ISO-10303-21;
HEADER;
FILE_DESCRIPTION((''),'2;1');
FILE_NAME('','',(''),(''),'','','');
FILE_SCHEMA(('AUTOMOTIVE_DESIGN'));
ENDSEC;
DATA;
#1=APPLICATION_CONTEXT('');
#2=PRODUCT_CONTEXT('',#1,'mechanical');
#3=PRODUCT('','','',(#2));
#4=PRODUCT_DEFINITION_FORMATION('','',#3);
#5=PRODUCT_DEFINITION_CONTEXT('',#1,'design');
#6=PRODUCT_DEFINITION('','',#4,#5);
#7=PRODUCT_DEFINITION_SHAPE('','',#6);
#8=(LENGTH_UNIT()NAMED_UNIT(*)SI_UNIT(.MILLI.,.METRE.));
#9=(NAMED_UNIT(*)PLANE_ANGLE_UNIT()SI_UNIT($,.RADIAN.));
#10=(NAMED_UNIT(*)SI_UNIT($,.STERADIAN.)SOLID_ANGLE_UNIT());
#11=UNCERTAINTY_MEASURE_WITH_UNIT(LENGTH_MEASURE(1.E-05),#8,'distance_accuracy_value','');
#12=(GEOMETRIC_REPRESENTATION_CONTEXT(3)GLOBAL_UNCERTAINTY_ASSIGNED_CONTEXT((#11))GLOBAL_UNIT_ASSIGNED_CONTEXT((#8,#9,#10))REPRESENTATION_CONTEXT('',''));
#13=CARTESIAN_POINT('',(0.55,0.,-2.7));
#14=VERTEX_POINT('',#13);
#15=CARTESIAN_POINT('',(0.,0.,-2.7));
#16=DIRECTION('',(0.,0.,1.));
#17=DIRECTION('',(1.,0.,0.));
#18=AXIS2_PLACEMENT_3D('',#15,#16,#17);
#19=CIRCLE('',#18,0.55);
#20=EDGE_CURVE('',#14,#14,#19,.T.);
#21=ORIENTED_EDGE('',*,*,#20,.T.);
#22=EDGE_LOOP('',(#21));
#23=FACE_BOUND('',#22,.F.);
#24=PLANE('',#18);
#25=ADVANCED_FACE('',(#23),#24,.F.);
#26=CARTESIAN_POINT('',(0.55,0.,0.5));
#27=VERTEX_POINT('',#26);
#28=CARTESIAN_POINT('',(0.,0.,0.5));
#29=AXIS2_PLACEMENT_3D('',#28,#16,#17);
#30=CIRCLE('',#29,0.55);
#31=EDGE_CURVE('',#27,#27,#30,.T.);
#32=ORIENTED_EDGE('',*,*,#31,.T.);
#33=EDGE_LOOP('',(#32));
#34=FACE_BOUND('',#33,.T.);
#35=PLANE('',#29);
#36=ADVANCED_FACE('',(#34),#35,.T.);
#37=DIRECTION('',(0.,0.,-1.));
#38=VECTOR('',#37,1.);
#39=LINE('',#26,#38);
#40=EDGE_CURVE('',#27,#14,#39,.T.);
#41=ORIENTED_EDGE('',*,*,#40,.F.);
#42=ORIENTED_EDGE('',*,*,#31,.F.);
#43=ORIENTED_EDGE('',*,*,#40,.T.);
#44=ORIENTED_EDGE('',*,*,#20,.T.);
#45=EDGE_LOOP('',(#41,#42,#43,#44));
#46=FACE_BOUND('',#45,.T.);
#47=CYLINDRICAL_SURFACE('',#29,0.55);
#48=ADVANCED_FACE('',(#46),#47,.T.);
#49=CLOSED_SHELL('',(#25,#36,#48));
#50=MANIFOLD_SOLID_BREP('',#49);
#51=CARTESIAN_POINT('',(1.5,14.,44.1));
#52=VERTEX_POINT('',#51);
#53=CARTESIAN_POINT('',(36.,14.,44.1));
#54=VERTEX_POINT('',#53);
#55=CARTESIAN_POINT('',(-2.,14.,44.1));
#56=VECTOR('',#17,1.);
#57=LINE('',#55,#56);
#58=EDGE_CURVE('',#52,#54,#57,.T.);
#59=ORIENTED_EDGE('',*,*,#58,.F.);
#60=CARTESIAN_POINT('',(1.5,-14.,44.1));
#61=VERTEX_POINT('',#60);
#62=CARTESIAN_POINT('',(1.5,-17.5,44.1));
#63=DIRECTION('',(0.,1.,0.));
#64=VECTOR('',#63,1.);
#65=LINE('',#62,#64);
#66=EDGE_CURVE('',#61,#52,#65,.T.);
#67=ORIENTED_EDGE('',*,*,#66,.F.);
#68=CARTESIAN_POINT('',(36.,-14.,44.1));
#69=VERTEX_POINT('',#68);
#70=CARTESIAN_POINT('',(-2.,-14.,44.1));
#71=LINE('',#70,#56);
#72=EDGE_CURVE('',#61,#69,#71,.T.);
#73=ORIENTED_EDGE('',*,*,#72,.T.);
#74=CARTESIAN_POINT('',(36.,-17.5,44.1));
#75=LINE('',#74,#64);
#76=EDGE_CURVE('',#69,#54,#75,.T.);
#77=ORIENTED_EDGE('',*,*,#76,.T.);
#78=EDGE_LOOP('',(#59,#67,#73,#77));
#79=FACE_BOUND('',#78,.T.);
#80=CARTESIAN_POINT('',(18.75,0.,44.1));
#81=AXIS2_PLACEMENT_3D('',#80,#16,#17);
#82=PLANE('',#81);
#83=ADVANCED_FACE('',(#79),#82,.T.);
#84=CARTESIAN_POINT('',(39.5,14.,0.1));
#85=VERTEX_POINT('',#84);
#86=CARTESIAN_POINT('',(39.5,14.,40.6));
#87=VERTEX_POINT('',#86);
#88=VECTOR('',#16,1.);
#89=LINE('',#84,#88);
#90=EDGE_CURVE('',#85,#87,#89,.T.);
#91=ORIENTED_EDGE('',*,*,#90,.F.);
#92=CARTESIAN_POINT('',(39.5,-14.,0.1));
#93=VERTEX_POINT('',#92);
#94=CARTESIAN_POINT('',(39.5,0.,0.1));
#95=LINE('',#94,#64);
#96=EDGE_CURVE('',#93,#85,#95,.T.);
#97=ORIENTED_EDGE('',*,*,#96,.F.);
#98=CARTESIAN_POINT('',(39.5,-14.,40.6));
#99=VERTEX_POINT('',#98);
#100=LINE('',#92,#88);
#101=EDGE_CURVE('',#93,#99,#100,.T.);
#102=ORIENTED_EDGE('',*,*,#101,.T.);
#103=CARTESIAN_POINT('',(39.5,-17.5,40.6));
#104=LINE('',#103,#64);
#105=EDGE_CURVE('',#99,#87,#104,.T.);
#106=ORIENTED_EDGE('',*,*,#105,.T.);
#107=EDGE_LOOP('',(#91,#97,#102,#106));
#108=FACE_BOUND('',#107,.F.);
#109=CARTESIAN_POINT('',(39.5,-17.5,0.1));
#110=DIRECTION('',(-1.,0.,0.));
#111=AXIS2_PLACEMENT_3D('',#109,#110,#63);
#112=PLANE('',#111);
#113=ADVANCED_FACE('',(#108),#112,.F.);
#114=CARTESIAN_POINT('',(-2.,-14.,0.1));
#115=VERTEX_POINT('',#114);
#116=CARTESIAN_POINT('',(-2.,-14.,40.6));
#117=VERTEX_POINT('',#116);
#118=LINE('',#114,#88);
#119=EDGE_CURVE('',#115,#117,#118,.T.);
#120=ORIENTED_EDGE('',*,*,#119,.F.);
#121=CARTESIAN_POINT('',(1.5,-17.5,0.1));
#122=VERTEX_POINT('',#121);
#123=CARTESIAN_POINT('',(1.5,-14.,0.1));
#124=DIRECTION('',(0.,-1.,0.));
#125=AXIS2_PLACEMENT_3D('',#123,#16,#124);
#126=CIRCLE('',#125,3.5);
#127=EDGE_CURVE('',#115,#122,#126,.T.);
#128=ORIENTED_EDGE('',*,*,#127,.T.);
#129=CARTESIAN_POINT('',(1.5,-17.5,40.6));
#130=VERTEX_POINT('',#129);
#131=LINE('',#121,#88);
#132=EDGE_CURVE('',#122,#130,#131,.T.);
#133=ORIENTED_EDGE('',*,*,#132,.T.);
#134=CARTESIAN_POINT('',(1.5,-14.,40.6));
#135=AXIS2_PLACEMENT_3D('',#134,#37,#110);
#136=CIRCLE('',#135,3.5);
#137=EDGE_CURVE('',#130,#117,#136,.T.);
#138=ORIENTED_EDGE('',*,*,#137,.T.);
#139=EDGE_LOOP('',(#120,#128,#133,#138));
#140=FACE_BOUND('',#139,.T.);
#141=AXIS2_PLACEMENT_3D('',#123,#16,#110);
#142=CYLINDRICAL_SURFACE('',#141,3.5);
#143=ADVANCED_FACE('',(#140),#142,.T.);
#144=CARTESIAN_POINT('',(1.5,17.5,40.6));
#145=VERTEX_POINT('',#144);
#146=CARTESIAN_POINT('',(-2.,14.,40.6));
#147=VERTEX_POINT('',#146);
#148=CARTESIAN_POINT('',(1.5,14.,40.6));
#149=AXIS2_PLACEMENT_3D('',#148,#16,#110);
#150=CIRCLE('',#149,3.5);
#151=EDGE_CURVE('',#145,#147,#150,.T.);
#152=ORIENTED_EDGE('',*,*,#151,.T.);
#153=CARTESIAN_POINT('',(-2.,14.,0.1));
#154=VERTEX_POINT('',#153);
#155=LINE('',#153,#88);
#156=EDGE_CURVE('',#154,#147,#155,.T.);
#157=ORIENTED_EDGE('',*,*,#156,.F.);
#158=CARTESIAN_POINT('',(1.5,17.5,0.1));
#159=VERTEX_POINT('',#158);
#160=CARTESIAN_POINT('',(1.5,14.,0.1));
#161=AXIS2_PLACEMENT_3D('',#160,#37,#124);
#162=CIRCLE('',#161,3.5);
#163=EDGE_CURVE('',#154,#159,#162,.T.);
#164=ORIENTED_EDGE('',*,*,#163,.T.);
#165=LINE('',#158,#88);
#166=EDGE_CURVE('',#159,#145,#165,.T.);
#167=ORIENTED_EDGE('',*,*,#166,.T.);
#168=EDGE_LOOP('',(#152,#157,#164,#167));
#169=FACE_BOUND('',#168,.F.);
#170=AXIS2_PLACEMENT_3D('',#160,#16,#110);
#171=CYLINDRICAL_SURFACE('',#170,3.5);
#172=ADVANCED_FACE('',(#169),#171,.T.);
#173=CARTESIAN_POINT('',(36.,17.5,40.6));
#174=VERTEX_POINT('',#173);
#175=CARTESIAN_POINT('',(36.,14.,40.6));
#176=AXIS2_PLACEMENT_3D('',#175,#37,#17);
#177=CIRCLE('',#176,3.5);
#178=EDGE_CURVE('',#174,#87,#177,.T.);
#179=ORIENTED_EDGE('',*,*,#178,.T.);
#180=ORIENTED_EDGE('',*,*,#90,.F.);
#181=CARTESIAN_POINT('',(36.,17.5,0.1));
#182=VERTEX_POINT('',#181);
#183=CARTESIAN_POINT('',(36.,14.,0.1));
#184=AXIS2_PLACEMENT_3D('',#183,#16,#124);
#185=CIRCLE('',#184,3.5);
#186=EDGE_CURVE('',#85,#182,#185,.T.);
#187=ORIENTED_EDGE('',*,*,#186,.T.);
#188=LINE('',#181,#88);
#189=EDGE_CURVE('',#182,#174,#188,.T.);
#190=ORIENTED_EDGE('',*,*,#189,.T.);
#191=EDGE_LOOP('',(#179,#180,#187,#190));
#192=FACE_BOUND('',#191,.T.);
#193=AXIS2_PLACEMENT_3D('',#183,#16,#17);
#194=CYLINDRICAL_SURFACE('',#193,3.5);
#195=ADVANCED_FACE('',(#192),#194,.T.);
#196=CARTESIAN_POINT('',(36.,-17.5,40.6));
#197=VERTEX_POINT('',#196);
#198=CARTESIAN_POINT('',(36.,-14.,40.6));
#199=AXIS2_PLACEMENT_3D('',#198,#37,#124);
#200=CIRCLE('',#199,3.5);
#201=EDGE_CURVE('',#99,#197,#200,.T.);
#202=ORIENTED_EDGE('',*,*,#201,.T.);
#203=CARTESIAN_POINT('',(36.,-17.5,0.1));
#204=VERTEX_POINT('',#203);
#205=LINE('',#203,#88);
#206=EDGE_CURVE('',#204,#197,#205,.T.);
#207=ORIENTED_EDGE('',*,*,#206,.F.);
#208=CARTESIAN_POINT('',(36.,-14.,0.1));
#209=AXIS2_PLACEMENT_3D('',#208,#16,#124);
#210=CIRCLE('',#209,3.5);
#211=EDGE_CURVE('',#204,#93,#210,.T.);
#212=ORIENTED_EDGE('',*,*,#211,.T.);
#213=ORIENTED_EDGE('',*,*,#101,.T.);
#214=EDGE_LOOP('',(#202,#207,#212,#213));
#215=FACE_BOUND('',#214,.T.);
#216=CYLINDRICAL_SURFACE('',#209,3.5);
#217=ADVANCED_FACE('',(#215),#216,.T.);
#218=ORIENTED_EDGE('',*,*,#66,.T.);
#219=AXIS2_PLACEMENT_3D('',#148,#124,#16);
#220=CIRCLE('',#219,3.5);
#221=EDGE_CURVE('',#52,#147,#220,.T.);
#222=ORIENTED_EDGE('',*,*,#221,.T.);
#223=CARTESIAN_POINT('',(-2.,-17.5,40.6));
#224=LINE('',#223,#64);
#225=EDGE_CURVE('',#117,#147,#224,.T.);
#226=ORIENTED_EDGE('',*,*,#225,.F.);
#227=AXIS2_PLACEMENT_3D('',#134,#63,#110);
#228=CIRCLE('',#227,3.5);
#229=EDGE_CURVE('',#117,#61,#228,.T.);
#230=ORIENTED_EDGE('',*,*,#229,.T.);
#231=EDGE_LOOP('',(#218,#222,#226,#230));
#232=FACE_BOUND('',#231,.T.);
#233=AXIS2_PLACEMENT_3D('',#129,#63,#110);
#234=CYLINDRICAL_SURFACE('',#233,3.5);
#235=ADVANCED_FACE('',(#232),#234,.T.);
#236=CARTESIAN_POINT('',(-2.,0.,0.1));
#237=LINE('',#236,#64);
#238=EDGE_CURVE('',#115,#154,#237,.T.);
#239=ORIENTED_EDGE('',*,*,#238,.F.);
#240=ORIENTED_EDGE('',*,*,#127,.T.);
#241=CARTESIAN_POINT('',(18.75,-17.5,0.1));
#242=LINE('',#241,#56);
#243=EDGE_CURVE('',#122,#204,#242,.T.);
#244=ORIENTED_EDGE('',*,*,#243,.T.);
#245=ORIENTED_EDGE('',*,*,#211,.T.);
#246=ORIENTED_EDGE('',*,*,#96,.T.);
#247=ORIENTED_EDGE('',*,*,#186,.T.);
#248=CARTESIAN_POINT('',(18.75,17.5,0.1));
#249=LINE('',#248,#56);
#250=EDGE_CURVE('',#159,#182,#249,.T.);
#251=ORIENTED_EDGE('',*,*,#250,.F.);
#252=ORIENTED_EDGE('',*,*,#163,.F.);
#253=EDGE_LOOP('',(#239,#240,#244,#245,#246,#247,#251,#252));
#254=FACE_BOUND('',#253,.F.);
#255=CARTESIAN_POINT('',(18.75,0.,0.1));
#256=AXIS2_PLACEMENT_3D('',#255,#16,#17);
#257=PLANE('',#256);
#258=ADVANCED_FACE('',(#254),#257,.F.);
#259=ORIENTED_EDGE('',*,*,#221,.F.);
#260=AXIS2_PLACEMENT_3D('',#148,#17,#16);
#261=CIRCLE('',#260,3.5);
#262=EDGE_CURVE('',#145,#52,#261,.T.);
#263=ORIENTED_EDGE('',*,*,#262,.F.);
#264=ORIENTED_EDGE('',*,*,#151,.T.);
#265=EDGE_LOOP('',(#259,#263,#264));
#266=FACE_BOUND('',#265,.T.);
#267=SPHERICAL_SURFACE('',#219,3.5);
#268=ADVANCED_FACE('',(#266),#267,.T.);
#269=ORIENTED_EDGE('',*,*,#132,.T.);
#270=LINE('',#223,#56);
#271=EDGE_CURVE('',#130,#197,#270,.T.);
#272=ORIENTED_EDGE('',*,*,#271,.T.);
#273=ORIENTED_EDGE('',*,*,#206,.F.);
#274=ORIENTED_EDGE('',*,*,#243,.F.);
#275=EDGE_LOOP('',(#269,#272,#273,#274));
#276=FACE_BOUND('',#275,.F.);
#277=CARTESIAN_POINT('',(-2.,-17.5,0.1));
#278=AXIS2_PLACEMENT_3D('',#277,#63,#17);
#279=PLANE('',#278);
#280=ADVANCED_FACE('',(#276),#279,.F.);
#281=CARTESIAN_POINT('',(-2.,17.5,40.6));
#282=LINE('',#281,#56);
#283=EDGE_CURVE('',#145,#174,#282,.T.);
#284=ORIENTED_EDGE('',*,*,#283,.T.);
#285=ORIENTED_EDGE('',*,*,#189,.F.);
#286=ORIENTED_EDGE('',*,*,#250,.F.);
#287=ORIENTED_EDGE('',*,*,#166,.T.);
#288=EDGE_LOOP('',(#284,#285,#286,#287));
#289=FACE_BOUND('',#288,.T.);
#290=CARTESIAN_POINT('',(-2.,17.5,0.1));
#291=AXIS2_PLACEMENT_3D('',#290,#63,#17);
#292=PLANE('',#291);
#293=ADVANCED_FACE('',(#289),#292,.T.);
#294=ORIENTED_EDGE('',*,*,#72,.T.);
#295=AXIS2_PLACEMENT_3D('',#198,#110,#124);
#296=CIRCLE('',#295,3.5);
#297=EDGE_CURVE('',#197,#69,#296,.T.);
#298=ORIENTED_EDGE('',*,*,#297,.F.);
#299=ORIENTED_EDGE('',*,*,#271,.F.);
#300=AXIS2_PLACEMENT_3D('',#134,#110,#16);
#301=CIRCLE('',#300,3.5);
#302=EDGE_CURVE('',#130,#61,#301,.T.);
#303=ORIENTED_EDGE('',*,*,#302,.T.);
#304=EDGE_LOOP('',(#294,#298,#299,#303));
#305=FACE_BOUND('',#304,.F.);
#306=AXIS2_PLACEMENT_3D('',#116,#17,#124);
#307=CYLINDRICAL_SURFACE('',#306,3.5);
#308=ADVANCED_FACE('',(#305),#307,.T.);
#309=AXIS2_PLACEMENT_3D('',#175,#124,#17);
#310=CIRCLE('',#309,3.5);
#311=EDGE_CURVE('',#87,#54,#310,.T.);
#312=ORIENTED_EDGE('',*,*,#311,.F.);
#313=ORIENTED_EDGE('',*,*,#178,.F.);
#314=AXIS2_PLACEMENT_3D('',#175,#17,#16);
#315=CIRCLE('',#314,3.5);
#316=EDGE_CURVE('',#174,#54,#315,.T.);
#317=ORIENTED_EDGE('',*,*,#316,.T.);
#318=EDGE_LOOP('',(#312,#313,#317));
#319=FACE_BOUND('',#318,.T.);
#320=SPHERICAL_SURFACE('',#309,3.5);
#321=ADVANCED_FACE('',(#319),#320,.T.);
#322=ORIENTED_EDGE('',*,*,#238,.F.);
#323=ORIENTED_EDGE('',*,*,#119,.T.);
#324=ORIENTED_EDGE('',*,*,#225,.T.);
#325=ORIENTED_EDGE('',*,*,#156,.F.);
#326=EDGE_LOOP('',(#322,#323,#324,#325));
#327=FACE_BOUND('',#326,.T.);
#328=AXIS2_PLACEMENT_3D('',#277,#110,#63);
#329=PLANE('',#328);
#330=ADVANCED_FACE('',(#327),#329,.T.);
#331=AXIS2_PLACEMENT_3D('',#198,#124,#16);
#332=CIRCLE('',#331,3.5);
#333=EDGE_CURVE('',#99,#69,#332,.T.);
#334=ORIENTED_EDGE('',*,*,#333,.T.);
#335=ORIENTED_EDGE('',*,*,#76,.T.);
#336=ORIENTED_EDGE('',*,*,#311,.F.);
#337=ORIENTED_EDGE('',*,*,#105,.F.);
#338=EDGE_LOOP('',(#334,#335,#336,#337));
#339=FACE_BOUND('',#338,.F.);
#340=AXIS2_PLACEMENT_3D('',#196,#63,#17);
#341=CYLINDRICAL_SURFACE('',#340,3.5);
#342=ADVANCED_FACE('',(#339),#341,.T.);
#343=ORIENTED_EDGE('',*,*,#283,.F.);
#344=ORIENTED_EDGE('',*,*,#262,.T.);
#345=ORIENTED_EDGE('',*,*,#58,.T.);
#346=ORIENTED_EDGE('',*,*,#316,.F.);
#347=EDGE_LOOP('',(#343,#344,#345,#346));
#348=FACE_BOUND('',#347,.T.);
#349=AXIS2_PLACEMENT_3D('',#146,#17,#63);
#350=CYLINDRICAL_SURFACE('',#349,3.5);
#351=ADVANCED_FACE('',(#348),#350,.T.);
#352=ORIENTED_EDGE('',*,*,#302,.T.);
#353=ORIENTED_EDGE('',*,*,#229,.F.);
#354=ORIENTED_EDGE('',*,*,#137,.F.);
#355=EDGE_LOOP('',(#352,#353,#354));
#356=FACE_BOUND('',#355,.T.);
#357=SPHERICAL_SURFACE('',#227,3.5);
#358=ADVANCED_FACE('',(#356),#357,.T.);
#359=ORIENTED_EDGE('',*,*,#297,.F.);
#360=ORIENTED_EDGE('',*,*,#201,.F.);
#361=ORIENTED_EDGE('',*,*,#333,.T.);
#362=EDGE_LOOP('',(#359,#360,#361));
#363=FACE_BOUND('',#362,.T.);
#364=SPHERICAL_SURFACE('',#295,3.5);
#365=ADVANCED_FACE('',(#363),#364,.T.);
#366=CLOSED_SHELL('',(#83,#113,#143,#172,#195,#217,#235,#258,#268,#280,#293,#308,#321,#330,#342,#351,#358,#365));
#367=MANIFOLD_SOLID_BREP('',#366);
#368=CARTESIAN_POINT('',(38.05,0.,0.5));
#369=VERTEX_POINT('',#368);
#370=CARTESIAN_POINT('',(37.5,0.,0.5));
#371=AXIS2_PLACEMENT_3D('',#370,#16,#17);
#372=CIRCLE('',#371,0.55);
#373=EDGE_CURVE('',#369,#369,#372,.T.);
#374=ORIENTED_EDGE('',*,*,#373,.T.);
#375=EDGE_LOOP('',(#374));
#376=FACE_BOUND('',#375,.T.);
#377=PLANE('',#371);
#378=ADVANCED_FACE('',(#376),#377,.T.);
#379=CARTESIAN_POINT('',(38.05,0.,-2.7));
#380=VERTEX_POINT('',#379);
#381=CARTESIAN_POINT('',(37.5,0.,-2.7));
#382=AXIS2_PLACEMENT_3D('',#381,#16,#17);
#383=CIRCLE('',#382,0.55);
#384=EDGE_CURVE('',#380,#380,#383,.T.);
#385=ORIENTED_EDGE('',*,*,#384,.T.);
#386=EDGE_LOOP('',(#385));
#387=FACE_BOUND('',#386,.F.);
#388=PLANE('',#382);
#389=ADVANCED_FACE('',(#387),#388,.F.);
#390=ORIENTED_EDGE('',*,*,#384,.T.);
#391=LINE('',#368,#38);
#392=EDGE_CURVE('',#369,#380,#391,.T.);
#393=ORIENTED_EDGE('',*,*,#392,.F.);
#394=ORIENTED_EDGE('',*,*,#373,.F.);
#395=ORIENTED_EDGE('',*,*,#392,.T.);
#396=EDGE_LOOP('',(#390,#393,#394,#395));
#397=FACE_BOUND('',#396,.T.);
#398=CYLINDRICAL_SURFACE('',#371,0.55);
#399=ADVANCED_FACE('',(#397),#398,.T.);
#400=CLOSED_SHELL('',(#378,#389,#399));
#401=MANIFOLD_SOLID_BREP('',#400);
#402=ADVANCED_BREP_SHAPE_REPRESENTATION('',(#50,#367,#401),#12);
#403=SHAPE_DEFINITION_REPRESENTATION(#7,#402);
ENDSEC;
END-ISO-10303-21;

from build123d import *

# Parameters (mm, degrees)
SKETCH_W     = 41.5
SKETCH_H     = 35
PAD_DEPTH    = 44
FILLET_R     = 3.5
SKETCH001_R  = 0.55
PAD001_DEPTH = 3.2


with BuildPart() as fillet_body:
    # Sketch → Pad (new body)
    with BuildSketch(Plane.XY.offset(0.1)):
        with Locations((18.75, 0)):
            Rectangle(SKETCH_W, SKETCH_H)
    extrude(amount=PAD_DEPTH)

    # Fillet
    fillet_edges = [fillet_body.edges().sort_by_distance(p)[0] for p in [
        (-2, 0, 44.1),
        (-2, -17.5, 22.1),
        (18.75, -17.5, 44.1),
        (39.5, -17.5, 22.1),
        (39.5, 0, 44.1),
        (39.5, 17.5, 22.1),
        (18.75, 17.5, 44.1),
        (-2, 17.5, 22.1),
    ]]
    fillet(fillet_edges, radius=FILLET_R)


with BuildPart() as pad001:
    # Sketch001 → Pad001 (new body)
    with BuildSketch(Plane.XY.offset(0.5)):
        Circle(SKETCH001_R)
        with Locations((37.5, 0)):
            Circle(SKETCH001_R)
    extrude(amount=-PAD001_DEPTH)


solid = Compound([fillet_body.part, pad001.part])
